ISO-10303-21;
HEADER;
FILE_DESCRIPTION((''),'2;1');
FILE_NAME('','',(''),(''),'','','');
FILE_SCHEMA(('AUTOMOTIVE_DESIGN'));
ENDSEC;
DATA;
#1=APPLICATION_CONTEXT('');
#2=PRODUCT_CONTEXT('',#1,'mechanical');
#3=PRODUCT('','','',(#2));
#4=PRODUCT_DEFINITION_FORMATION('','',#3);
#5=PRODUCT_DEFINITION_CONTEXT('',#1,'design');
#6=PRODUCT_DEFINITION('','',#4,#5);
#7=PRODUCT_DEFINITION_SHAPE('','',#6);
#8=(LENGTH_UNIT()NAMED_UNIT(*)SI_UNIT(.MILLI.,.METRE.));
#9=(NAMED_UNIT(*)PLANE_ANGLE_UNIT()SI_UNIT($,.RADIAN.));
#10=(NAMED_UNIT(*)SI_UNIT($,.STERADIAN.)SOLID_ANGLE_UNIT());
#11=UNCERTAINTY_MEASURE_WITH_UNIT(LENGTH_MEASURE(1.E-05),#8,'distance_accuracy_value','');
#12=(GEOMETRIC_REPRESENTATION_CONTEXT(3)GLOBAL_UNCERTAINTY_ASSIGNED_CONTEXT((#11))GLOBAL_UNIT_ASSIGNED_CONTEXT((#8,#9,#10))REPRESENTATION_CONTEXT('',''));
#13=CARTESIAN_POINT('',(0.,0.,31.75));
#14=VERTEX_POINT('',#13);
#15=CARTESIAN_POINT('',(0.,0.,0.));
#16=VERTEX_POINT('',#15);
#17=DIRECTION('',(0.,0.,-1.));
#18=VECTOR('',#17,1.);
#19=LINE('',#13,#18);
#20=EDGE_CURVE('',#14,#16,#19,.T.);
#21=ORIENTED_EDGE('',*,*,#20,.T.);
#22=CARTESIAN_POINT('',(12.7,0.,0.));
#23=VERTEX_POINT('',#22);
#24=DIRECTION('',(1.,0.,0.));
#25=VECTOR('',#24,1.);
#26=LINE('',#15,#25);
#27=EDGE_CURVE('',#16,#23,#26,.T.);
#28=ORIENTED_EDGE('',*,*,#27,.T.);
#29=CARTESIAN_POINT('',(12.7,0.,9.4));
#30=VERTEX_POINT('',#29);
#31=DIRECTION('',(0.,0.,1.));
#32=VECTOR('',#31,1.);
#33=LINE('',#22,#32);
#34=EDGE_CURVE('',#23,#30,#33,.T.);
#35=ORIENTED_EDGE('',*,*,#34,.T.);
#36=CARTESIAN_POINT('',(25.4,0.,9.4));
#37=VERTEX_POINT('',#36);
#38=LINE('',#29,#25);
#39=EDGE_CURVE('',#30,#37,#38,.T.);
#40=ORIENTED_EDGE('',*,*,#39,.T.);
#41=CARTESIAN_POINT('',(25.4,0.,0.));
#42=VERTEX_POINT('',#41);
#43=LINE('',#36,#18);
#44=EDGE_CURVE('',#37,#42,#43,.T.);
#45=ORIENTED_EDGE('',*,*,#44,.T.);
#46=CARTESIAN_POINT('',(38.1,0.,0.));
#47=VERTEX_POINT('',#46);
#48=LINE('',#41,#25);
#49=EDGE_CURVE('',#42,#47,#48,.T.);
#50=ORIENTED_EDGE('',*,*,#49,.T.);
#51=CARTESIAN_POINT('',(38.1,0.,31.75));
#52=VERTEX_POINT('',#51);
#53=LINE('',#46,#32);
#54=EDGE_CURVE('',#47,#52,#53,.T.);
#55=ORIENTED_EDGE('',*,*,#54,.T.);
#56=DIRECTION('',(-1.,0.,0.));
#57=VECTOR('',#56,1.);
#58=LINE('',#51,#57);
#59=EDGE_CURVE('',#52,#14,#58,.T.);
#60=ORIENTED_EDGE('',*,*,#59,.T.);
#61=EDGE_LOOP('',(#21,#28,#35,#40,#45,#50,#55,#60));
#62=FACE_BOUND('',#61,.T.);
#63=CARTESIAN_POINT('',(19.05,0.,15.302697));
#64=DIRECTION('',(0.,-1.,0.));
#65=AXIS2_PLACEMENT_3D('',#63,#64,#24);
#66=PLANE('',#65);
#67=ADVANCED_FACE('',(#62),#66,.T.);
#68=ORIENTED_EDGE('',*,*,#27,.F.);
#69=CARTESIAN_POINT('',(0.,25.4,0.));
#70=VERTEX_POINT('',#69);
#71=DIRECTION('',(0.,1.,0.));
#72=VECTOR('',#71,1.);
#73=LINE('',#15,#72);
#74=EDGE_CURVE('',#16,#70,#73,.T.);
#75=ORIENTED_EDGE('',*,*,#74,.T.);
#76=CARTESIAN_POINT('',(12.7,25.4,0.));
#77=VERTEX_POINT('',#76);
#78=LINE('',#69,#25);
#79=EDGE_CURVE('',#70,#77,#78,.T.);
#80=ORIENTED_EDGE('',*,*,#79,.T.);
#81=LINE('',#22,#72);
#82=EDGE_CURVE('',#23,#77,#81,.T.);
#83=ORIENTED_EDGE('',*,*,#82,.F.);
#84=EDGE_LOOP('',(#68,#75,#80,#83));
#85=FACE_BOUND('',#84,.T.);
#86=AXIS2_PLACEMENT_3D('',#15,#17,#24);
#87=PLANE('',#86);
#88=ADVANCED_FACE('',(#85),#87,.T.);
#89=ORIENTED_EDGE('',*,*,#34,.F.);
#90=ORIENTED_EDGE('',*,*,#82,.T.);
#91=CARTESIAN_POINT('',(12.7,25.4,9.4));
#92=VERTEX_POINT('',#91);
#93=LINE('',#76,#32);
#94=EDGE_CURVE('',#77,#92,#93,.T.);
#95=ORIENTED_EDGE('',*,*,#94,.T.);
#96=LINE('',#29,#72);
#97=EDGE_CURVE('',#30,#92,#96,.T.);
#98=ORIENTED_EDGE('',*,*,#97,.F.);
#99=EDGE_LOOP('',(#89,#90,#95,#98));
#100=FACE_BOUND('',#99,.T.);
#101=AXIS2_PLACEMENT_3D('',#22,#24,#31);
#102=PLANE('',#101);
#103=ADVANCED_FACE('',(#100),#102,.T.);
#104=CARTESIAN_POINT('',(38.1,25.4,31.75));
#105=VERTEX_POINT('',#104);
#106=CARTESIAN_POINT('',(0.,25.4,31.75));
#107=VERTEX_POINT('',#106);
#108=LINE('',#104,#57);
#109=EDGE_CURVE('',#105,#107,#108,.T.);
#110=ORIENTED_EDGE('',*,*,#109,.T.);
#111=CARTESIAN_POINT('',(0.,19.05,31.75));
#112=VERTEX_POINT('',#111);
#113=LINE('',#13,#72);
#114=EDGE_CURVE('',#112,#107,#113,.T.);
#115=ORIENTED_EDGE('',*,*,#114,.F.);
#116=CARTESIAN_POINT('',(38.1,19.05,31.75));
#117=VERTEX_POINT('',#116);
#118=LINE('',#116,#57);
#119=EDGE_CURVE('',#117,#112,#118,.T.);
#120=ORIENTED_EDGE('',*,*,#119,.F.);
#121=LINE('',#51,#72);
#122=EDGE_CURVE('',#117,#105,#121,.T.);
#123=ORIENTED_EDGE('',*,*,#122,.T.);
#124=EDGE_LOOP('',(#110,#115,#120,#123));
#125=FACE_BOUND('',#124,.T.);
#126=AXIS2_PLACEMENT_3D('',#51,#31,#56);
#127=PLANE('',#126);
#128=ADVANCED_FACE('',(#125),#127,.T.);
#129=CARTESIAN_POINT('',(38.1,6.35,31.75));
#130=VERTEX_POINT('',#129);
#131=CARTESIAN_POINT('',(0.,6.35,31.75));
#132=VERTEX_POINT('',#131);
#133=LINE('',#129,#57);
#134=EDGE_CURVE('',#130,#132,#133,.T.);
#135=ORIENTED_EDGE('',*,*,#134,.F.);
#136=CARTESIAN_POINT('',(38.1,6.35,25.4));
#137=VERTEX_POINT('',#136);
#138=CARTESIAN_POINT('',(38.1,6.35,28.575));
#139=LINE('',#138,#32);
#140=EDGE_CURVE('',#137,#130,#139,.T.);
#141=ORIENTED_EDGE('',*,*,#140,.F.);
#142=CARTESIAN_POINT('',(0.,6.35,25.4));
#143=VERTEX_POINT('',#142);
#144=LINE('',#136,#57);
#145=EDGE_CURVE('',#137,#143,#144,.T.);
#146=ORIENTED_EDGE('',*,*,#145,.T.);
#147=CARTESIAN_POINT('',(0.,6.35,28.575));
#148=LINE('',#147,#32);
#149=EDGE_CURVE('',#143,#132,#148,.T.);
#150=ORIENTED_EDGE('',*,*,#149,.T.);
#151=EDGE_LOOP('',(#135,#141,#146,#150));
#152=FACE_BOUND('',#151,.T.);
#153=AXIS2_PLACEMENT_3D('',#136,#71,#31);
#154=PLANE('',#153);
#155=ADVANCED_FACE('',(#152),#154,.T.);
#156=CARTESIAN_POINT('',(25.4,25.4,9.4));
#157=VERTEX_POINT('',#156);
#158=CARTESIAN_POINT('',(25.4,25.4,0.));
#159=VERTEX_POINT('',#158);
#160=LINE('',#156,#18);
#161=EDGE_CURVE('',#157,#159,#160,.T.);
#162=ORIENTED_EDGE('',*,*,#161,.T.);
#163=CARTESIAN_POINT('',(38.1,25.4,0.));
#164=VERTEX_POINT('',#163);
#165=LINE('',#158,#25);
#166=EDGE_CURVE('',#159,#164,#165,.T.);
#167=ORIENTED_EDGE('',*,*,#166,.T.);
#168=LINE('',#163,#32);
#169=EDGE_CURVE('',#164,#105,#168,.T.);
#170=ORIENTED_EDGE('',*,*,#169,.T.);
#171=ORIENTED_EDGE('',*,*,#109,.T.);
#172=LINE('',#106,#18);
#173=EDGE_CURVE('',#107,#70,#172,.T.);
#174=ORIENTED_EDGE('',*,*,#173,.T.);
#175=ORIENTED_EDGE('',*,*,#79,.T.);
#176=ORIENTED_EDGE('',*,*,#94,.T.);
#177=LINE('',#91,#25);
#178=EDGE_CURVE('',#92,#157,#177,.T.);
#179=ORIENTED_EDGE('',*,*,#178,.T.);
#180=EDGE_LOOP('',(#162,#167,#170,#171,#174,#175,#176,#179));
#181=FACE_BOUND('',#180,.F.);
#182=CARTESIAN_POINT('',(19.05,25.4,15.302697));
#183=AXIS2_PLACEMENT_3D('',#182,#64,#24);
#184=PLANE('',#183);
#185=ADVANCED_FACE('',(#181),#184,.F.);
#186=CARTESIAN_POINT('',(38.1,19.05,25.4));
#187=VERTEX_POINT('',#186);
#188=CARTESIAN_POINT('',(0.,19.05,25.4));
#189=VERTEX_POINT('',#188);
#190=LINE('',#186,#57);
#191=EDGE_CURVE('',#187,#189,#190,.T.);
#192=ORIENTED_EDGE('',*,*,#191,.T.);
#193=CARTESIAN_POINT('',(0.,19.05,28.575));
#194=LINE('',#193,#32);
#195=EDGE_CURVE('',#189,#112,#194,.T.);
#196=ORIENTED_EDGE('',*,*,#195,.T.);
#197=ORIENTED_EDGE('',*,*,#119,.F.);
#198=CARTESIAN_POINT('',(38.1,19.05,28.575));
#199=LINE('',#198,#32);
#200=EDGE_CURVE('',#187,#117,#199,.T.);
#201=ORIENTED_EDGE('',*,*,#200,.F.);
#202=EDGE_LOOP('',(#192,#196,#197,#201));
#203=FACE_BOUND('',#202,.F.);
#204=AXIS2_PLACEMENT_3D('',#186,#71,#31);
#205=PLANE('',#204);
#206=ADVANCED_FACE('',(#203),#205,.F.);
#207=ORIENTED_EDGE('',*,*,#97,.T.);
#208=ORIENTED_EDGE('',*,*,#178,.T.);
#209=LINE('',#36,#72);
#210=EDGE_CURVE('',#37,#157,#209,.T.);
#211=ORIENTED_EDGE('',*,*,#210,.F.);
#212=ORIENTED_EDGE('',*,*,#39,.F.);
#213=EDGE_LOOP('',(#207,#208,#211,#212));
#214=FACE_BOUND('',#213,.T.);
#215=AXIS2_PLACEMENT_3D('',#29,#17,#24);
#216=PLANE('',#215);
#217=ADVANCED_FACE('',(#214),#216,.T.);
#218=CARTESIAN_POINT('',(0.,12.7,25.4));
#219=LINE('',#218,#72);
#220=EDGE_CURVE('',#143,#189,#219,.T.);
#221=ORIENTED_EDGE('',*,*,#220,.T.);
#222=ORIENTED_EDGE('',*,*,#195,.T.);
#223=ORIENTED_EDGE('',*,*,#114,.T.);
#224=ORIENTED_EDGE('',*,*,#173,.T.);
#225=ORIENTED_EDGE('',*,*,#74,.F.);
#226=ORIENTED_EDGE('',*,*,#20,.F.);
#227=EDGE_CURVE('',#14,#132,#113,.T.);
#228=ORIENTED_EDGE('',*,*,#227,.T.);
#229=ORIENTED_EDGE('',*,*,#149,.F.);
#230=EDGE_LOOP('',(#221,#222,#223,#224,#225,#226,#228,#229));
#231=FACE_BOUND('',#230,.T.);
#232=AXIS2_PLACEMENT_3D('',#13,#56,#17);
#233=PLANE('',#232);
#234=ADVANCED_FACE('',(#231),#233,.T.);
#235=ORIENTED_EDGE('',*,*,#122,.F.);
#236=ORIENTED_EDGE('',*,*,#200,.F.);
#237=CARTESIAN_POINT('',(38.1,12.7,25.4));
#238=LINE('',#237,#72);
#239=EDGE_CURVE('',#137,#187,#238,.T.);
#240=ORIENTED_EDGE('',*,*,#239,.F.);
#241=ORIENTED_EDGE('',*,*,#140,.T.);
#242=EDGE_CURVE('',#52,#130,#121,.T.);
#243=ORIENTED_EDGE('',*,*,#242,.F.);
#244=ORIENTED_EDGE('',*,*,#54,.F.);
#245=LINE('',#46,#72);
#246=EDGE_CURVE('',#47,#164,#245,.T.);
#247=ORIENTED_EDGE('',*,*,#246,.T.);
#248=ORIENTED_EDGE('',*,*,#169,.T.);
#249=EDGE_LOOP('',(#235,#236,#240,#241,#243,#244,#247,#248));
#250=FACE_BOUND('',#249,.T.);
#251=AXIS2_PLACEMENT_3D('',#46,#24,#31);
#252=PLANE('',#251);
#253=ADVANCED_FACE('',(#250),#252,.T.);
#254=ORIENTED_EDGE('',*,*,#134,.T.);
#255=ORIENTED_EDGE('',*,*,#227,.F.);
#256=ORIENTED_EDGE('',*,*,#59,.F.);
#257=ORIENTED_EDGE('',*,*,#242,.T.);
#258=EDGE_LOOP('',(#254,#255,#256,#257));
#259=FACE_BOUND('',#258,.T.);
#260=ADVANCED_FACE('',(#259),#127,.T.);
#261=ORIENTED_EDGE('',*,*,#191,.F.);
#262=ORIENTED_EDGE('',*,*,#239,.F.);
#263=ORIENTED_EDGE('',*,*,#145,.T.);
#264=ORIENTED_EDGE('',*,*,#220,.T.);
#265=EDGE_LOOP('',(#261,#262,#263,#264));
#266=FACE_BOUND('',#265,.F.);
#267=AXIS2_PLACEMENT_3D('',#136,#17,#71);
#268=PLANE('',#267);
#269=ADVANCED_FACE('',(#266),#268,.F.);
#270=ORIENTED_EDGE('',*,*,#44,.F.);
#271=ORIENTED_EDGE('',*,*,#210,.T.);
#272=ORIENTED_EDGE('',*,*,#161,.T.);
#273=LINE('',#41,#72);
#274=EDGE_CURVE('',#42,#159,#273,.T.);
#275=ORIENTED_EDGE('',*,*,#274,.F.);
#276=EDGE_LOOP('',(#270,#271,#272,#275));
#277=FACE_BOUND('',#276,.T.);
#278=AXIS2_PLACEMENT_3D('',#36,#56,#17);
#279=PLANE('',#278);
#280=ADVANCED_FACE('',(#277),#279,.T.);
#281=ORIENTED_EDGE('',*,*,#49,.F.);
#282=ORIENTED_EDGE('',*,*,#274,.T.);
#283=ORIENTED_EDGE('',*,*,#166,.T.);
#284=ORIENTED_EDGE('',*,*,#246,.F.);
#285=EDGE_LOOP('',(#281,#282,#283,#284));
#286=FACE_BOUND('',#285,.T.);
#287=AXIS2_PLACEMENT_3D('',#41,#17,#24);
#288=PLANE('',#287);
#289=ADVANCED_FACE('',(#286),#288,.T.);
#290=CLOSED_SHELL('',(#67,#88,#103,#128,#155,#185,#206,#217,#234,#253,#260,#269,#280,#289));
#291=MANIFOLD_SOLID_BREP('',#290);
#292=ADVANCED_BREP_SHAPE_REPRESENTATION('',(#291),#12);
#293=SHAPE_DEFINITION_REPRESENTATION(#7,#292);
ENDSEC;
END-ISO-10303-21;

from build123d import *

# Parameters (mm, degrees)
F1_DEPTH = 25.4
F2_W     = 12.7
F2_H     = 6.35
F3_DEPTH = 38.1


with BuildPart() as f1:
    # F0 (on Front) → F1 (new body)
    with BuildSketch(Plane.XZ):
        Polygon((0, 31.75), (0, 0), (12.7, 0), (12.7, 9.4), (25.4, 9.4), (25.4, 0), (38.1, 0), (38.1, 31.75), align=None)
    extrude(amount=-F1_DEPTH)

    # F2 (on face) → F3 (cut)
    with BuildSketch(Plane.YZ.offset(38.1)):
        with Locations((12.7, 28.575)):
            Rectangle(F2_W, F2_H)
    extrude(amount=-F3_DEPTH, mode=Mode.SUBTRACT)


solid = f1.part
